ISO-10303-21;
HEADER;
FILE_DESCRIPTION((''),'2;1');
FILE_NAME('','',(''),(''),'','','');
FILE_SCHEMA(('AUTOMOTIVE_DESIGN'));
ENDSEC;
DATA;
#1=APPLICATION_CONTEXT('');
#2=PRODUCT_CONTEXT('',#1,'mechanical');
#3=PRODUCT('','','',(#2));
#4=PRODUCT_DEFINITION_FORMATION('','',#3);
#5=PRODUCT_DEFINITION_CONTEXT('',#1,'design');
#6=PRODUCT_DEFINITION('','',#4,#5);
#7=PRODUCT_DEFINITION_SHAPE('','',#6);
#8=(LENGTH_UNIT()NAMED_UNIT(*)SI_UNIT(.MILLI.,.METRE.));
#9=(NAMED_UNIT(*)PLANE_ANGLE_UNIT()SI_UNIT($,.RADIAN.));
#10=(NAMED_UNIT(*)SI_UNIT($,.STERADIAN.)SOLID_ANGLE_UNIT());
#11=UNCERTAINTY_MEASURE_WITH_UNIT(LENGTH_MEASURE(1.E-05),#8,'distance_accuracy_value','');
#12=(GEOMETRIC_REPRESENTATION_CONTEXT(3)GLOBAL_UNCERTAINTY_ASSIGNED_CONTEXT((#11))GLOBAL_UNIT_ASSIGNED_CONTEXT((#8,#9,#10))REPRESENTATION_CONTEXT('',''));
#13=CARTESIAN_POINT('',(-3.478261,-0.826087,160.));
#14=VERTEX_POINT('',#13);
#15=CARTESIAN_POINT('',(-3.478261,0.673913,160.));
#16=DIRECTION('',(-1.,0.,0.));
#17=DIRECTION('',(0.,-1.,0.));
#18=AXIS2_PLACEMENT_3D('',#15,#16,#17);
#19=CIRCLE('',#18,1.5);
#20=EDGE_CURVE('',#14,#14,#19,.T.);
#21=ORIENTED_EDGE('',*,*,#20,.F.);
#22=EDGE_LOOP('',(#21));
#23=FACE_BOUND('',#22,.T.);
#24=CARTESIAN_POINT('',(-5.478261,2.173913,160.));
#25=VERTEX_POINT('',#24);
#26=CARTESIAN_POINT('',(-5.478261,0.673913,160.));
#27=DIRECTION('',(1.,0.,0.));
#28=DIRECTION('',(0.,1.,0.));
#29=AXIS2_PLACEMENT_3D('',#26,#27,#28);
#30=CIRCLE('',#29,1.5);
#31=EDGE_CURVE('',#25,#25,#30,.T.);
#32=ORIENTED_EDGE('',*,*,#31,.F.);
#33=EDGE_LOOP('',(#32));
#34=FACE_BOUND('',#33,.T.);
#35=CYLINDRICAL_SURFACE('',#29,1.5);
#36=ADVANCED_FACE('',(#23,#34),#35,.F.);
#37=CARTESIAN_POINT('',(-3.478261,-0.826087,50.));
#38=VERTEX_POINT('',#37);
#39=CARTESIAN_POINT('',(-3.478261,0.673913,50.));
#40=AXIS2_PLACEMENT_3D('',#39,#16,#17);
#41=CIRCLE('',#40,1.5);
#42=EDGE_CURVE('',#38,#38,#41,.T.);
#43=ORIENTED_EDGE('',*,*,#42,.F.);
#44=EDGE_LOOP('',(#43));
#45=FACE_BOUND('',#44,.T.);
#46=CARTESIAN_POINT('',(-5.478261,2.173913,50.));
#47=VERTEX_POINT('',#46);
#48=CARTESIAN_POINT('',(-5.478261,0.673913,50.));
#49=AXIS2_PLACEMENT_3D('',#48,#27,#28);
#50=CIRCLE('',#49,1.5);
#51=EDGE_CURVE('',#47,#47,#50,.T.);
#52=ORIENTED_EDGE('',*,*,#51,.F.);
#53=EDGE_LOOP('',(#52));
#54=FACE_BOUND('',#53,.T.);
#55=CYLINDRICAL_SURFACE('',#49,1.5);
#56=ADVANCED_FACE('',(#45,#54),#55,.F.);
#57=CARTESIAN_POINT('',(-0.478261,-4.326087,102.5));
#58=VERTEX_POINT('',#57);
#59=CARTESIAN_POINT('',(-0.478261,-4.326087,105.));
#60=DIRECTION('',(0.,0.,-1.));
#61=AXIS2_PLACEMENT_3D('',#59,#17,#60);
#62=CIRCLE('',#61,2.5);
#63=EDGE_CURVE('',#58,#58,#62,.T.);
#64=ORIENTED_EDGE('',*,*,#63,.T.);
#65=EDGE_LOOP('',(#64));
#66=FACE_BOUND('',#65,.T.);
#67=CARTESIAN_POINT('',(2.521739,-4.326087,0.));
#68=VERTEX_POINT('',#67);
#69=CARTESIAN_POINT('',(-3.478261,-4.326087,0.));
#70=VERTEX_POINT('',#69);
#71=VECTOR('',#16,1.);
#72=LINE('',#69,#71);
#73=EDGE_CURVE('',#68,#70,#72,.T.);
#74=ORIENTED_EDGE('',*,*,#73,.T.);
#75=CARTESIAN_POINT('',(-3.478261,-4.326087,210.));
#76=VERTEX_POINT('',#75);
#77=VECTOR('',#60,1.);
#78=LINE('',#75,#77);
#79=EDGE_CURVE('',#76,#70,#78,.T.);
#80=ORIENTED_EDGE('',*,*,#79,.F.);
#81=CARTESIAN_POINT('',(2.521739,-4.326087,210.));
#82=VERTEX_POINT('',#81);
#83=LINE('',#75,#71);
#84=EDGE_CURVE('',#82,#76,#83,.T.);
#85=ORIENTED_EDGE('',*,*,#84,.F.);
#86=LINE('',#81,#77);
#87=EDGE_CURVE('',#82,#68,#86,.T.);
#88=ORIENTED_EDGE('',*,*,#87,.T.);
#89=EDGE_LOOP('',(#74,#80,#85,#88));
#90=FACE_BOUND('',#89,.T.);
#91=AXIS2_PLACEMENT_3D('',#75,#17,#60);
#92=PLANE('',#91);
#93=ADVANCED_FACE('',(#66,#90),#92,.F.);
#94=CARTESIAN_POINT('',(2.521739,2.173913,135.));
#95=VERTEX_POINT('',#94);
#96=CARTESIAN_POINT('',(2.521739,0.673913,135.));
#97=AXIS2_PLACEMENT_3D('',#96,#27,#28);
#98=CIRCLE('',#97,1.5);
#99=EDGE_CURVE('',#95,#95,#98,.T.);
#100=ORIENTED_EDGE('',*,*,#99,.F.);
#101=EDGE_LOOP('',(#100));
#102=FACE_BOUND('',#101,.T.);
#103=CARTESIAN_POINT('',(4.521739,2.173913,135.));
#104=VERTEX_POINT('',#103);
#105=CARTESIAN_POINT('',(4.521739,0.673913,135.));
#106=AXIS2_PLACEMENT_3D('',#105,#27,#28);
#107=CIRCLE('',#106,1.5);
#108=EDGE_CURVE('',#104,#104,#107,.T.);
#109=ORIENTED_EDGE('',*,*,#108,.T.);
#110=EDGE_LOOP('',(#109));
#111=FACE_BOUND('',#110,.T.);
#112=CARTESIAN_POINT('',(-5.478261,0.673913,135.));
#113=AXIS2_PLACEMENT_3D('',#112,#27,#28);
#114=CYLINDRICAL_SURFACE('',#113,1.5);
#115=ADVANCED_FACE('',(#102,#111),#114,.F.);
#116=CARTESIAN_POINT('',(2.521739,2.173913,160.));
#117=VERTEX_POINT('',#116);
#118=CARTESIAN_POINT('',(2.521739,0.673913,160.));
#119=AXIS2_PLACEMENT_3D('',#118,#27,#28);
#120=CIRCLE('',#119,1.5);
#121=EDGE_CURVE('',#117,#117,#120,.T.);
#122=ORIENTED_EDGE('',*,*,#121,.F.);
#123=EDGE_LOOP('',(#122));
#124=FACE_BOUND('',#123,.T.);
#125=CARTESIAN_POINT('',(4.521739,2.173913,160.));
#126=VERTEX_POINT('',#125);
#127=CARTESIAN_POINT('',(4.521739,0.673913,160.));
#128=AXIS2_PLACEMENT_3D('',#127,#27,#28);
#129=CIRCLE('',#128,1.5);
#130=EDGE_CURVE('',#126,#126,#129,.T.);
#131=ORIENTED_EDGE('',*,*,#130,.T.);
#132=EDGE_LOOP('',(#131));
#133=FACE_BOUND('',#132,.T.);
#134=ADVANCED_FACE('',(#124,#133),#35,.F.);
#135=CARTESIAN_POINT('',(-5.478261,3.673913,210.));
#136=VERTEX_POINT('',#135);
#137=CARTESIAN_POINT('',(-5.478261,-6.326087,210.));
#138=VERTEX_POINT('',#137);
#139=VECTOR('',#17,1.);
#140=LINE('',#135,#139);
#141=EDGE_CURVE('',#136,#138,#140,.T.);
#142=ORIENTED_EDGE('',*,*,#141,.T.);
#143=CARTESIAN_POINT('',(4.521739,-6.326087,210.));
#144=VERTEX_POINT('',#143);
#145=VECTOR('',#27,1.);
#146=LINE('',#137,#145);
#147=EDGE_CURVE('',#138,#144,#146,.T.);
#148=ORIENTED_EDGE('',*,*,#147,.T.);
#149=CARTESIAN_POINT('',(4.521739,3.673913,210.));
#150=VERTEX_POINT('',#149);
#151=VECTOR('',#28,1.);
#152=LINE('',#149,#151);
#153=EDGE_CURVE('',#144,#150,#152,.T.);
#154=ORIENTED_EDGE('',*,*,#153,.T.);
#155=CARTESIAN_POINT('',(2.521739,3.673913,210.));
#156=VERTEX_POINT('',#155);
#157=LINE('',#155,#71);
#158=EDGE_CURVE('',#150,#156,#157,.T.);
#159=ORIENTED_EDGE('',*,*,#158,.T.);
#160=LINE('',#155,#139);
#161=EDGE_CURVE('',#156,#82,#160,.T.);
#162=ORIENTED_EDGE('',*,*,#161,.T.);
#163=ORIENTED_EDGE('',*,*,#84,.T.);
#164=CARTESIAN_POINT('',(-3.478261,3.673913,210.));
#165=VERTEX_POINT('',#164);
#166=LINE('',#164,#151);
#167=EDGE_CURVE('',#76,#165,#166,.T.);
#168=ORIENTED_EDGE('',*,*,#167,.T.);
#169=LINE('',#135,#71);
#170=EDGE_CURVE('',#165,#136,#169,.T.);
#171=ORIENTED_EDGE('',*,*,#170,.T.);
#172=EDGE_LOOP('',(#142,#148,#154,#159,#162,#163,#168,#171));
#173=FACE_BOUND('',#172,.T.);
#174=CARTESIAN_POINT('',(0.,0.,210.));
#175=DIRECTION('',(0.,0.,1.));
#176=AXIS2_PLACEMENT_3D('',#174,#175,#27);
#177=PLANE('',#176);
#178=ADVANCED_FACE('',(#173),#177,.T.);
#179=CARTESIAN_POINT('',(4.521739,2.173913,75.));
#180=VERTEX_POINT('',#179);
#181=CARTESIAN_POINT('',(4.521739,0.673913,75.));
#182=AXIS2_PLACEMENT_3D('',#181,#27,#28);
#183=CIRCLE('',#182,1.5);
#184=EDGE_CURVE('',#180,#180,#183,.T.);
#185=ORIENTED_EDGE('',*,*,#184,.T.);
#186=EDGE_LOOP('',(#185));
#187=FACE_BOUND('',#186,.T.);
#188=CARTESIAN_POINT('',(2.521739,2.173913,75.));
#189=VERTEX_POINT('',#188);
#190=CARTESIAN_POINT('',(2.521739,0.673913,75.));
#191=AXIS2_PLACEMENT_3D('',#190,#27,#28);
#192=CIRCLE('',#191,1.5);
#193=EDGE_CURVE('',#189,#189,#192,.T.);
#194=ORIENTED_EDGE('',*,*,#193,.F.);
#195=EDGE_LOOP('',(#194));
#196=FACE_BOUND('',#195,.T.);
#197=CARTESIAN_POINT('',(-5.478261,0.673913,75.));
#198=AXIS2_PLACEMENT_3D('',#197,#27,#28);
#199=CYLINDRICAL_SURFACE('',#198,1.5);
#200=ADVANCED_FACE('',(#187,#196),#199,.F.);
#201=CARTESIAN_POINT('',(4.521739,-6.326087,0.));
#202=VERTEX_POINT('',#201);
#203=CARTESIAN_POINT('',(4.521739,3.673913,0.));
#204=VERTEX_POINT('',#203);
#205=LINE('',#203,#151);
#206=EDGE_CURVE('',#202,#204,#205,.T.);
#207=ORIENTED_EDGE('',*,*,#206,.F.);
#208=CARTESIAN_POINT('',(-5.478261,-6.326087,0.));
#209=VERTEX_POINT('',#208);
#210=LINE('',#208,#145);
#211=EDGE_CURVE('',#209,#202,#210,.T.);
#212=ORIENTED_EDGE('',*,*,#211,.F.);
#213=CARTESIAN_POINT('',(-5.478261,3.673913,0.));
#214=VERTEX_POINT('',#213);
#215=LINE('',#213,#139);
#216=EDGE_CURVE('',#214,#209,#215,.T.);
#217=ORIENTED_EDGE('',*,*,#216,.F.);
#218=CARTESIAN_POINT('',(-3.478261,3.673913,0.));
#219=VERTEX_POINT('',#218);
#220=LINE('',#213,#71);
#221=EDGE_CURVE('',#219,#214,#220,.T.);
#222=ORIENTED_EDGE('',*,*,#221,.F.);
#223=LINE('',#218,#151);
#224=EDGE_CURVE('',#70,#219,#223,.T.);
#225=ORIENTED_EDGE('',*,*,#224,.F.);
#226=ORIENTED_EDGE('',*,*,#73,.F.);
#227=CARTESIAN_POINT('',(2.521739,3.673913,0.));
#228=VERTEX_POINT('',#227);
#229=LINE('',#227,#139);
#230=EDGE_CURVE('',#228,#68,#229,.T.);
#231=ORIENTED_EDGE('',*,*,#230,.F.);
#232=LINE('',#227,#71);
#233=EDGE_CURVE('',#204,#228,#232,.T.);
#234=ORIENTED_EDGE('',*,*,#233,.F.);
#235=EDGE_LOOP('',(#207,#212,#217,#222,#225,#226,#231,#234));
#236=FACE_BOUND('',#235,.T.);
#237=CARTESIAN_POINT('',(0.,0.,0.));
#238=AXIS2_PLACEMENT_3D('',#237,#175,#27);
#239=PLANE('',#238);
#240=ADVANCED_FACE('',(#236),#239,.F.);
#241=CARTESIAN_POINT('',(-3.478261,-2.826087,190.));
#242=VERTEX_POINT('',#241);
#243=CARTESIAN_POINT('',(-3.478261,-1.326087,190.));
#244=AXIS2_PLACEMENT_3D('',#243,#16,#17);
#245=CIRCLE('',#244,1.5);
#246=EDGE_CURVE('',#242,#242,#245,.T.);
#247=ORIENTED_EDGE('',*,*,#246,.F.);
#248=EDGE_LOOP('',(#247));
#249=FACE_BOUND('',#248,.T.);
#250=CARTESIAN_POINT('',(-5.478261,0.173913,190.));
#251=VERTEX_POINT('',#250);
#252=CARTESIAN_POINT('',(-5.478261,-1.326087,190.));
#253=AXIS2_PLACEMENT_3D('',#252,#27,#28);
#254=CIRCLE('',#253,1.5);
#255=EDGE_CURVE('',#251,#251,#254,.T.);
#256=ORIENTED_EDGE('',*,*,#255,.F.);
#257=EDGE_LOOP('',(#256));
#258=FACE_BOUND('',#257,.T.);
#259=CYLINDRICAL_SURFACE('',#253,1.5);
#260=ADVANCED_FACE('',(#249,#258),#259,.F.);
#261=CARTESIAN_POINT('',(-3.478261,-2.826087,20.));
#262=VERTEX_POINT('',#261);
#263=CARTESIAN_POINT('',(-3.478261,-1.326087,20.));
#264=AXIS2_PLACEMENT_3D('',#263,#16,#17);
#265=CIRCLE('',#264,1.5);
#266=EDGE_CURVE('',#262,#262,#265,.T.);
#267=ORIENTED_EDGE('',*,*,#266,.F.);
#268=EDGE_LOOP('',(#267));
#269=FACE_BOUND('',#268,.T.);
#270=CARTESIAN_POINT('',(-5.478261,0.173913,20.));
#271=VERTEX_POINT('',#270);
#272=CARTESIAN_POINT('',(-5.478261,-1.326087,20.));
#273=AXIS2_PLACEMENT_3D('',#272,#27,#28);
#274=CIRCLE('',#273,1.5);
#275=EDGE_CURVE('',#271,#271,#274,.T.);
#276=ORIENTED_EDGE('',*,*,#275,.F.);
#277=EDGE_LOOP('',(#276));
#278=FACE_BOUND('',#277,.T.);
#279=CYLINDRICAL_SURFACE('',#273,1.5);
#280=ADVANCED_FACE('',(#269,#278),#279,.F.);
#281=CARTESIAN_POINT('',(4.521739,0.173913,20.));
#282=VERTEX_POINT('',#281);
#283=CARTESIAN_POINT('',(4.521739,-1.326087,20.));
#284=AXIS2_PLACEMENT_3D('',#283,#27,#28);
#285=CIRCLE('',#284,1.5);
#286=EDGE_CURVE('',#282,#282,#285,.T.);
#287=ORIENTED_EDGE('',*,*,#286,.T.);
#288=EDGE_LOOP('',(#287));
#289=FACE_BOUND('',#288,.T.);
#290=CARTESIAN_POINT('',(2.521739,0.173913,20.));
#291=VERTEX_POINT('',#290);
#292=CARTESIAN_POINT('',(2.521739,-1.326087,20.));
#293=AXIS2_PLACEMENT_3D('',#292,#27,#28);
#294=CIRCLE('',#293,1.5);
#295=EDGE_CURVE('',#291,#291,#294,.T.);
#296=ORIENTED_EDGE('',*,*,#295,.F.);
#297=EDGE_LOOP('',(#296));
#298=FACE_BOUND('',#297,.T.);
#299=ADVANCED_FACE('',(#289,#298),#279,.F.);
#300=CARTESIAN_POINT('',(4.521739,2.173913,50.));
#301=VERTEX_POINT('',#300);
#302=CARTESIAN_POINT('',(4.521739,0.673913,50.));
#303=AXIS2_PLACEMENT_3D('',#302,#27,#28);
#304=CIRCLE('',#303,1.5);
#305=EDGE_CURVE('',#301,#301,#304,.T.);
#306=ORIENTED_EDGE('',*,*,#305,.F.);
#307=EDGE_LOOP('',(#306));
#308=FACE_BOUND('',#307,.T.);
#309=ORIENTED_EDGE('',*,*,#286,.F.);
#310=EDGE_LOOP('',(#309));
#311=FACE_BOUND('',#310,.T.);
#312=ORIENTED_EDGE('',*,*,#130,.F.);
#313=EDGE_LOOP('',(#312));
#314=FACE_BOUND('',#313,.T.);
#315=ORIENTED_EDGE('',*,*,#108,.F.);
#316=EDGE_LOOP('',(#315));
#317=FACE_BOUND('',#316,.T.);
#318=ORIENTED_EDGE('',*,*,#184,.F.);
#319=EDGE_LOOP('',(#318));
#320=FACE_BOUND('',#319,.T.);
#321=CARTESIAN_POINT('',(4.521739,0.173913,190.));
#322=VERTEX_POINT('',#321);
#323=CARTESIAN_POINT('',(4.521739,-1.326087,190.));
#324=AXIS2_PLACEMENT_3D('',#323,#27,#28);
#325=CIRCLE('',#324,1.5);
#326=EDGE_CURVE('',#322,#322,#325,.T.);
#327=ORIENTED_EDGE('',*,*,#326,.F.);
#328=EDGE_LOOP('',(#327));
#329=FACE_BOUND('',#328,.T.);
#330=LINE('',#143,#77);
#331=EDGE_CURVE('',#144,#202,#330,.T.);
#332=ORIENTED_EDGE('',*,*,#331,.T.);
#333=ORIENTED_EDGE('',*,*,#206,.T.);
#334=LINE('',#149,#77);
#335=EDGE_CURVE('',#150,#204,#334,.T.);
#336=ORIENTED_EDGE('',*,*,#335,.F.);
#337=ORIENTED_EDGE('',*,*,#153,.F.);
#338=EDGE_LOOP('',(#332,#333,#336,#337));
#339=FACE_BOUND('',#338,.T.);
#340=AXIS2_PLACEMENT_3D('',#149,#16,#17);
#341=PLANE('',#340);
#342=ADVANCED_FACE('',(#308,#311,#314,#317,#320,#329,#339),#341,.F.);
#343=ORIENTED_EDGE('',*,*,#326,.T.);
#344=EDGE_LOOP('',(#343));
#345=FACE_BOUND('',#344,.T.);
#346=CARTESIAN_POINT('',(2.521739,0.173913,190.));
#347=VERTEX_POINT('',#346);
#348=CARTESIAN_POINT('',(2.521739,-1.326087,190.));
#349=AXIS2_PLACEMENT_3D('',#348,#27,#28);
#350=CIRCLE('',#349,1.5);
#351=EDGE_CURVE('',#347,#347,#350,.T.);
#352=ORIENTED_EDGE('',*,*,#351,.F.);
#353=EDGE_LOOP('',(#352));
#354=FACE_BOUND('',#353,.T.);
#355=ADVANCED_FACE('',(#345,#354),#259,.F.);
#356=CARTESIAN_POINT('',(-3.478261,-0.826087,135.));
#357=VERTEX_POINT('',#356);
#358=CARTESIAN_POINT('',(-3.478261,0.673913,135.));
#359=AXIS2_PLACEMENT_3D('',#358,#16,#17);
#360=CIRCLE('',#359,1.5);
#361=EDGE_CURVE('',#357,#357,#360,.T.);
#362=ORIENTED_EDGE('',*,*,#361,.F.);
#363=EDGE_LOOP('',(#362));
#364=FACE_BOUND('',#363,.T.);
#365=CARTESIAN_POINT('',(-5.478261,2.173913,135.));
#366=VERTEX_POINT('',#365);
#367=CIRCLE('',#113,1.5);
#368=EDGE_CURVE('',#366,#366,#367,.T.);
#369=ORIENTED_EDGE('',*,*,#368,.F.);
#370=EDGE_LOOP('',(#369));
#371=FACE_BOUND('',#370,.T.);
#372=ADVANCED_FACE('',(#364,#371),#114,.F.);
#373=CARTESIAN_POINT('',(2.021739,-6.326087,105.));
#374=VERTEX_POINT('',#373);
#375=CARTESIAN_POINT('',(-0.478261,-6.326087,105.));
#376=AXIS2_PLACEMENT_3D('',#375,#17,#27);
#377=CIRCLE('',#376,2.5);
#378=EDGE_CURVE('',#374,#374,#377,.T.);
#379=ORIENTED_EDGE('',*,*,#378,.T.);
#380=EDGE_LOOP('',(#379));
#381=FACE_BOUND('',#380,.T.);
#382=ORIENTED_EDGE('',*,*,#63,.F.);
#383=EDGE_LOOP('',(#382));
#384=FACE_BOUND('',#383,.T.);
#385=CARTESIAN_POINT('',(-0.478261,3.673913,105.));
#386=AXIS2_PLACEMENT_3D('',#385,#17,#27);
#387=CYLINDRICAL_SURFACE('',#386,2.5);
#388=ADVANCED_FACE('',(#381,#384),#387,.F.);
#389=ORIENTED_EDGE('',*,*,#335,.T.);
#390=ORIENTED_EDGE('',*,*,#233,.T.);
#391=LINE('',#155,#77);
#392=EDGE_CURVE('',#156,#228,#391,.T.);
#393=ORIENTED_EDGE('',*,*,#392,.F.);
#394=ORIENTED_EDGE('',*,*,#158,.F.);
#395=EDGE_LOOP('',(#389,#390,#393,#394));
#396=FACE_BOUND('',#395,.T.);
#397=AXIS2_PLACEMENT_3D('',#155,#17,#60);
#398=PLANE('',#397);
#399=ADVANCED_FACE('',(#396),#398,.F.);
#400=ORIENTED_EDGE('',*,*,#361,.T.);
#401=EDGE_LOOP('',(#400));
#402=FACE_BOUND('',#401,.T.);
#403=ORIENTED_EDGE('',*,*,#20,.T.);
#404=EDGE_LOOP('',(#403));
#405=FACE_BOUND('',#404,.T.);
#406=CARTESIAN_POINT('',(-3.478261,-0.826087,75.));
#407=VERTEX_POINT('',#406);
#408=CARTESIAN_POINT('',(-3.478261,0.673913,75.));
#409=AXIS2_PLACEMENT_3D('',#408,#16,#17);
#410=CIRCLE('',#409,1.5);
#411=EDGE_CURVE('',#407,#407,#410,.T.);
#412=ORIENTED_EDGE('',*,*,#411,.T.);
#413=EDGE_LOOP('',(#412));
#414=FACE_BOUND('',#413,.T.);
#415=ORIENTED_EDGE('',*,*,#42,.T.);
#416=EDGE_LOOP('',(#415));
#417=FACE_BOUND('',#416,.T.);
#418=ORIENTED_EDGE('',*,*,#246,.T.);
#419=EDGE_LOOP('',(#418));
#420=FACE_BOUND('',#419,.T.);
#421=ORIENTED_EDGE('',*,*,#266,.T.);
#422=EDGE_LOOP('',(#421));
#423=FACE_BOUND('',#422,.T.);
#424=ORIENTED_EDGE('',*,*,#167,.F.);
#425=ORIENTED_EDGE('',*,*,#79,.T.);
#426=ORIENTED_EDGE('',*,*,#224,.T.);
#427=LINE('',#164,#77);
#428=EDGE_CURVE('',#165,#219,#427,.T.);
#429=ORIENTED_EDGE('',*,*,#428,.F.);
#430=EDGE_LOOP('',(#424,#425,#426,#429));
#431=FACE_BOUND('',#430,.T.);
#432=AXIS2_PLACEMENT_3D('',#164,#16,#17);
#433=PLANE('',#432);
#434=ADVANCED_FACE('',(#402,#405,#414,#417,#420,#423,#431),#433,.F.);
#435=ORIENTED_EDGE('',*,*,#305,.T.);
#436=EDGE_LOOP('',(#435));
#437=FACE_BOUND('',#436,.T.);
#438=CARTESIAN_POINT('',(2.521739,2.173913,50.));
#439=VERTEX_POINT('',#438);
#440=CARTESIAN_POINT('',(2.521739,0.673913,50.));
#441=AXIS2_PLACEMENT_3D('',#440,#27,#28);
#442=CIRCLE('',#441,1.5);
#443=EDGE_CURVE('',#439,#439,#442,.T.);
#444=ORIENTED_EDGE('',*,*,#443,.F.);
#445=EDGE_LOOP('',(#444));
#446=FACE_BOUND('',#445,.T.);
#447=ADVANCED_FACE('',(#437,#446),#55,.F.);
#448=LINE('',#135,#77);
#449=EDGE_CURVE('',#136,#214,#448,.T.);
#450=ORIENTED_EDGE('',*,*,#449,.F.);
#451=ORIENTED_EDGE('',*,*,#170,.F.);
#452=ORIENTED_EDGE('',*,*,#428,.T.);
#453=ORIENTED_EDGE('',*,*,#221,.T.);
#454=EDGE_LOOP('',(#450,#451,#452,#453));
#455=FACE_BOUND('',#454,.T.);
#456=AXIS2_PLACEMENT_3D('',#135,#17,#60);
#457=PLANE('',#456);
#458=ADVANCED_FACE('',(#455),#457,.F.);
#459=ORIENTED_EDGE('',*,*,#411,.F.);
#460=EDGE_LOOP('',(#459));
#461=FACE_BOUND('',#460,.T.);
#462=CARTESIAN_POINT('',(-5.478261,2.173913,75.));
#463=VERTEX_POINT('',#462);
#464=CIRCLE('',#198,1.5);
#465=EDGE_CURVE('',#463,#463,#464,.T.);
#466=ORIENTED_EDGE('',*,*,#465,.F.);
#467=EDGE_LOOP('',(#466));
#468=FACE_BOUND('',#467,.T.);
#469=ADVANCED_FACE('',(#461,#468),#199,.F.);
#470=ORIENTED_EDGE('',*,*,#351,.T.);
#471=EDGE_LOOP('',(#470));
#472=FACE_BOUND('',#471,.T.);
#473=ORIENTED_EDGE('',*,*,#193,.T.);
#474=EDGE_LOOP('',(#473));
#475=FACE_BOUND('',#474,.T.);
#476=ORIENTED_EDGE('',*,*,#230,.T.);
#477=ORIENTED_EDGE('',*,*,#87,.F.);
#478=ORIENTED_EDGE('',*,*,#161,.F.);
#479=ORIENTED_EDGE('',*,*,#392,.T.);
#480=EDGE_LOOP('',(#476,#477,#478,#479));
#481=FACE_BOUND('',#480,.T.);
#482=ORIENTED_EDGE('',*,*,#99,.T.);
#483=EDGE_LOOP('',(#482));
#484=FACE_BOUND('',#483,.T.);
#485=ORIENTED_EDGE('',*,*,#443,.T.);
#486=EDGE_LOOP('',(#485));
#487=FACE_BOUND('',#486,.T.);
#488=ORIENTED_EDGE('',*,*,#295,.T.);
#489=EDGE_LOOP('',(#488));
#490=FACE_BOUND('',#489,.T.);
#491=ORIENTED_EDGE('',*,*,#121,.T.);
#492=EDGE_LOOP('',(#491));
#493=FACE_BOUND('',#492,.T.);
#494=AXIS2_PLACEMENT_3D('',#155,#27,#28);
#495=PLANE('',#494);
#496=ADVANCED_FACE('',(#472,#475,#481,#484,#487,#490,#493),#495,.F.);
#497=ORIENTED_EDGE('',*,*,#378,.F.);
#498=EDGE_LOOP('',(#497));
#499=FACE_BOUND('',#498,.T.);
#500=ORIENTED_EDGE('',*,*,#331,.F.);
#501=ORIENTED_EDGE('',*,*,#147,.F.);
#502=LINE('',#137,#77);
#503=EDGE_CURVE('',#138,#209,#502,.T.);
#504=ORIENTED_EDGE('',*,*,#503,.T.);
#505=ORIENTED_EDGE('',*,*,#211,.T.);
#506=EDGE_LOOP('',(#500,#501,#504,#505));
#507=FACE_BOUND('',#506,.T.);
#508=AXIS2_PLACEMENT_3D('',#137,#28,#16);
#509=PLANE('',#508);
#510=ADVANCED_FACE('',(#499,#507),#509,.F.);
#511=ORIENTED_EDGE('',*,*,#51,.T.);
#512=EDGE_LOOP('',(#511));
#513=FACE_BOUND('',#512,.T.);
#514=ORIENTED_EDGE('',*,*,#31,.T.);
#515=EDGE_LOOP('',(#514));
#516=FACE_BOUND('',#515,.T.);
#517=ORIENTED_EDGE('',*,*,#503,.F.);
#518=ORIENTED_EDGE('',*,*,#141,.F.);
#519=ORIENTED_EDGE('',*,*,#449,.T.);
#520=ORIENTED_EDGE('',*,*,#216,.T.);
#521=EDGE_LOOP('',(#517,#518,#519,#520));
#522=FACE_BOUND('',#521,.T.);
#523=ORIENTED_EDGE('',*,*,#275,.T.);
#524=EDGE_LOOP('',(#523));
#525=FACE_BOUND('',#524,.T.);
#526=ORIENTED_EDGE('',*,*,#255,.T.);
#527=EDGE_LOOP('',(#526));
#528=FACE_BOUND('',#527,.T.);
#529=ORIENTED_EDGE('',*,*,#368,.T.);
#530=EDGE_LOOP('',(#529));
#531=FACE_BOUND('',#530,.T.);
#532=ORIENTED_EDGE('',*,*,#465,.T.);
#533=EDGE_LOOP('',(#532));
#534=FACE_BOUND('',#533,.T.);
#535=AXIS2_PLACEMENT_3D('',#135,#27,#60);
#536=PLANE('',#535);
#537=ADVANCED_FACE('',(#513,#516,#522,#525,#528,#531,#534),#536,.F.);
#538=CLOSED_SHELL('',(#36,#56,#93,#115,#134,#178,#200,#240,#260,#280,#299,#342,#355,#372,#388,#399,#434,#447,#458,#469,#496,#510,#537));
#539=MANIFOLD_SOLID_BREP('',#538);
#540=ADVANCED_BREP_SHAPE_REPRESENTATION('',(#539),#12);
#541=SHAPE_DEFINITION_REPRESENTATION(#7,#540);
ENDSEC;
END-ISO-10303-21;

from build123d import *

# Parameters (mm, degrees)
EXTRUDE_1_DEPTH     = 210
SKETCH_2_R          = 1.5
CUT_EXTRUDE_1_DEPTH = 10
SKETCH_3_R          = 1.5
CUT_EXTRUDE_2_DEPTH = 10
SKETCH_5_R          = 2.5
CUT_EXTRUDE_3_DEPTH = 10


with BuildPart() as part:
    # 草图1 → 凸台-拉伸1 (new body)
    with BuildSketch(Plane.XY):
        Polygon((2.52173913, 3.673913043), (4.52173913, 3.673913043), (4.52173913, -6.326086957), (-5.47826087, -6.326086957), (-5.47826087, 3.673913043), (-3.47826087, 3.673913043), (-3.47826087, -4.326086957), (2.52173913, -4.326086957), align=None)
    extrude(amount=EXTRUDE_1_DEPTH)

    # 草图2 → 切除-拉伸1 (cut)
    with BuildSketch(Plane(origin=(4.52173913, 0, 0), x_dir=(0, 0, -1), z_dir=(1, 0, 0))):
        with Locations(Location((-160, 0.673913043, 0), (0, 0, 90))):
            Circle(SKETCH_2_R)
        with Locations(Location((-135, 0.673913043, 0), (0, 0, 90))):
            Circle(SKETCH_2_R)
        with Locations(Location((-75, 0.673913043, 0), (0, 0, 90))):
            Circle(SKETCH_2_R)
        with Locations(Location((-50, 0.673913043, 0), (0, 0, 90))):
            Circle(SKETCH_2_R)
    extrude(amount=-CUT_EXTRUDE_1_DEPTH, mode=Mode.SUBTRACT)

    # 草图3 → 切除-拉伸2 (cut)
    with BuildSketch(Plane(origin=(4.52173913, 0, 0), x_dir=(0, 0, -1), z_dir=(1, 0, 0))):
        with Locations(Location((-20, -1.326086957, 0), (0, 0, 90))):
            Circle(SKETCH_3_R)
        with Locations(Location((-190, -1.326086957, 0), (0, 0, 90))):
            Circle(SKETCH_3_R)
    extrude(amount=-CUT_EXTRUDE_2_DEPTH, mode=Mode.SUBTRACT)

    # 草图5 → 切除-拉伸3 (cut)
    with BuildSketch(Plane.XZ.offset(6.326086957)):
        with Locations((-0.47826087, 105)):
            Circle(SKETCH_5_R)
    extrude(amount=-CUT_EXTRUDE_3_DEPTH, mode=Mode.SUBTRACT)


solid = part.part
